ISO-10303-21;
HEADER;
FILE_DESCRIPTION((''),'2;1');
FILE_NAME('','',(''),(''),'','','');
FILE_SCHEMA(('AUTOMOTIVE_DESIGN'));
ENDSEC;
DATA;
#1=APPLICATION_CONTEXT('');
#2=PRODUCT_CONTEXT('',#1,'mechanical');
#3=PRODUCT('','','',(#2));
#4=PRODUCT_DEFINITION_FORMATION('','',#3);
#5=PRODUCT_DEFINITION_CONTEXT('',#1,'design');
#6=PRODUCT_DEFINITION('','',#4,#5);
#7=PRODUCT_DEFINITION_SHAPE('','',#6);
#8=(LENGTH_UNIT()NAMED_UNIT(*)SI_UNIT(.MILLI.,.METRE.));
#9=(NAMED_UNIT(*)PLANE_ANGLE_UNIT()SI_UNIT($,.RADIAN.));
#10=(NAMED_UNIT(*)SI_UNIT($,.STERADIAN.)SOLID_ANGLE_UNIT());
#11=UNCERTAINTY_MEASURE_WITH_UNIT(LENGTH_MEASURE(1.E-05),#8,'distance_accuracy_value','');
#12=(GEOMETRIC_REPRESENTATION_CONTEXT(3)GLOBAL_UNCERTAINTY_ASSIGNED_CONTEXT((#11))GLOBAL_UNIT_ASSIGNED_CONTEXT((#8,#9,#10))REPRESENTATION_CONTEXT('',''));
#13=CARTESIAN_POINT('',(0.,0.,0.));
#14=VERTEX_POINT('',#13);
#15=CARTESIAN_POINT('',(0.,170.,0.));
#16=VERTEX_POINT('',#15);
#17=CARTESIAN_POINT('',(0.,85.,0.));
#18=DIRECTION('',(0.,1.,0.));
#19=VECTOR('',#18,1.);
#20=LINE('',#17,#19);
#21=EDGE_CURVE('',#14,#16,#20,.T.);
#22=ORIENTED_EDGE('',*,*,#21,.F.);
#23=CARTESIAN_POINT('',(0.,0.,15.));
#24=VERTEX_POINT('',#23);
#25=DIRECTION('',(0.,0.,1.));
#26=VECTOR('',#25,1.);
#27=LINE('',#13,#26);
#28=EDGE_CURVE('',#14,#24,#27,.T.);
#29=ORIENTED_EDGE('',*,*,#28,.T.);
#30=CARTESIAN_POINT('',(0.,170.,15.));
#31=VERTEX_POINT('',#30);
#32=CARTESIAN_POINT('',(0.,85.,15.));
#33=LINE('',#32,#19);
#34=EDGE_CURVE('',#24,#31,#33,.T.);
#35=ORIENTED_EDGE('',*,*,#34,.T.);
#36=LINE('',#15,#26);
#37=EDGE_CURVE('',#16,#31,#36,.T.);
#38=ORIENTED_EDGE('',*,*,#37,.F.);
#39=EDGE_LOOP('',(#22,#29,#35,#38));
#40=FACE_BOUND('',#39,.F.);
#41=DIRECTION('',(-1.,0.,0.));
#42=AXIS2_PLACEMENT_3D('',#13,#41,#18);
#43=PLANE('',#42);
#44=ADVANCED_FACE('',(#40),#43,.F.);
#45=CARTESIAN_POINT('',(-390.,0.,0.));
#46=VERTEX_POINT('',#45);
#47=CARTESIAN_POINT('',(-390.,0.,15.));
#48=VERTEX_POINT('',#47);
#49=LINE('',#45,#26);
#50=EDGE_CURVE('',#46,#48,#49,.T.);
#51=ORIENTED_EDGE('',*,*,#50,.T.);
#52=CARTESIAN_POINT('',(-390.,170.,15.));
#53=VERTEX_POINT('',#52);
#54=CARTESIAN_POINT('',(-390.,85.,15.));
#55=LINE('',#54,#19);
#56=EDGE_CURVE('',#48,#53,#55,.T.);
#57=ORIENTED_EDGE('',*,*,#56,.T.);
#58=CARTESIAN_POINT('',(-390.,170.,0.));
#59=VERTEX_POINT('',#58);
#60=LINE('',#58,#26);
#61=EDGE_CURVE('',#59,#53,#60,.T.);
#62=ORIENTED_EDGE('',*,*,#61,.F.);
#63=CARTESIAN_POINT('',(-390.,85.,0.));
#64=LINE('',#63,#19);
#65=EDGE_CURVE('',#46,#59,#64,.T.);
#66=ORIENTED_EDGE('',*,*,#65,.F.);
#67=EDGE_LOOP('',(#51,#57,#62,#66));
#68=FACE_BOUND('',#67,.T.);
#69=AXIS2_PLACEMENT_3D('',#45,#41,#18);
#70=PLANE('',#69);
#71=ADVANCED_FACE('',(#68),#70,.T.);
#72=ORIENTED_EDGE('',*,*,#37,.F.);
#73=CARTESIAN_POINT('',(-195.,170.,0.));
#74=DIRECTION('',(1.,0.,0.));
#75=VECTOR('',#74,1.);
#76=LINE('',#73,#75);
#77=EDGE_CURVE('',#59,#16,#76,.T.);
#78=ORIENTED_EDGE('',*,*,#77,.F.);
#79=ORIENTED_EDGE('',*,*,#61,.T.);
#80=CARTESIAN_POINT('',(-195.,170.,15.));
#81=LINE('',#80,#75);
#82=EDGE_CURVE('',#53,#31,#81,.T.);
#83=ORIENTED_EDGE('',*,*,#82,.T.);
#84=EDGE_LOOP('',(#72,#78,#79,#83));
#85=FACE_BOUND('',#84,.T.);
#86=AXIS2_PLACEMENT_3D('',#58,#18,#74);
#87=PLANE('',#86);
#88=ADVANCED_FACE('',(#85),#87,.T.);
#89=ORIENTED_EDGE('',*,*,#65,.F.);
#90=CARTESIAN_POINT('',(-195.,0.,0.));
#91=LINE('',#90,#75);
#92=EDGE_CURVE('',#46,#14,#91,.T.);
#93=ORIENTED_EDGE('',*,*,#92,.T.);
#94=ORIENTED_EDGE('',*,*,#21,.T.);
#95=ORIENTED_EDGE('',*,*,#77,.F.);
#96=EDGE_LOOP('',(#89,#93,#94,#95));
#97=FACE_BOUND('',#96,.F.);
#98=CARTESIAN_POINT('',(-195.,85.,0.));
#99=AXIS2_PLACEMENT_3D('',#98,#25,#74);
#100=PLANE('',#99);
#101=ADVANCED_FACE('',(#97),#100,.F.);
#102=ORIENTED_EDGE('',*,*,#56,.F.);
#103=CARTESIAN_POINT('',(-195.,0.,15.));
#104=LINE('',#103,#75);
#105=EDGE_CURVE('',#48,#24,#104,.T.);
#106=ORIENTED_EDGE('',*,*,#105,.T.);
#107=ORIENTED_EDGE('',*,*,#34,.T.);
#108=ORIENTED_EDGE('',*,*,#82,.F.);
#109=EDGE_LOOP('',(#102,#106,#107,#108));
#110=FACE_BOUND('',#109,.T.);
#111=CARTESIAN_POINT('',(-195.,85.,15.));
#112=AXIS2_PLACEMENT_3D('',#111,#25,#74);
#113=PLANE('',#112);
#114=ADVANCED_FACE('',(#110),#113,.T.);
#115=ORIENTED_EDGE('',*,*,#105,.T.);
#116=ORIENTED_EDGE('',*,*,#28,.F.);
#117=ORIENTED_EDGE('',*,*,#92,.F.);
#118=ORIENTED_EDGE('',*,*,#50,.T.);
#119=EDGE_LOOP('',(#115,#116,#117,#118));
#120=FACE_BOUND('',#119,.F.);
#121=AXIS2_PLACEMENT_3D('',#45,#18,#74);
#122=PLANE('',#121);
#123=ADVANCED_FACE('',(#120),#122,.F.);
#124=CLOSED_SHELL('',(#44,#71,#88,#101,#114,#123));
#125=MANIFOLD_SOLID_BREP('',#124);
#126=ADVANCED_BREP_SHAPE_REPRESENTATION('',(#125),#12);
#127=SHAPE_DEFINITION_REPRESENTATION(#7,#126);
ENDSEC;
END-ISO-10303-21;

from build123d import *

# Parameters (mm, degrees)
SKETCH_W  = 390
SKETCH_H  = 170
PAD_DEPTH = 15


with BuildPart() as part:
    # Sketch → Pad (new body)
    with BuildSketch(Plane.XY):
        with Locations((-195, 85)):
            Rectangle(SKETCH_W, SKETCH_H)
    extrude(amount=PAD_DEPTH)


solid = part.part
